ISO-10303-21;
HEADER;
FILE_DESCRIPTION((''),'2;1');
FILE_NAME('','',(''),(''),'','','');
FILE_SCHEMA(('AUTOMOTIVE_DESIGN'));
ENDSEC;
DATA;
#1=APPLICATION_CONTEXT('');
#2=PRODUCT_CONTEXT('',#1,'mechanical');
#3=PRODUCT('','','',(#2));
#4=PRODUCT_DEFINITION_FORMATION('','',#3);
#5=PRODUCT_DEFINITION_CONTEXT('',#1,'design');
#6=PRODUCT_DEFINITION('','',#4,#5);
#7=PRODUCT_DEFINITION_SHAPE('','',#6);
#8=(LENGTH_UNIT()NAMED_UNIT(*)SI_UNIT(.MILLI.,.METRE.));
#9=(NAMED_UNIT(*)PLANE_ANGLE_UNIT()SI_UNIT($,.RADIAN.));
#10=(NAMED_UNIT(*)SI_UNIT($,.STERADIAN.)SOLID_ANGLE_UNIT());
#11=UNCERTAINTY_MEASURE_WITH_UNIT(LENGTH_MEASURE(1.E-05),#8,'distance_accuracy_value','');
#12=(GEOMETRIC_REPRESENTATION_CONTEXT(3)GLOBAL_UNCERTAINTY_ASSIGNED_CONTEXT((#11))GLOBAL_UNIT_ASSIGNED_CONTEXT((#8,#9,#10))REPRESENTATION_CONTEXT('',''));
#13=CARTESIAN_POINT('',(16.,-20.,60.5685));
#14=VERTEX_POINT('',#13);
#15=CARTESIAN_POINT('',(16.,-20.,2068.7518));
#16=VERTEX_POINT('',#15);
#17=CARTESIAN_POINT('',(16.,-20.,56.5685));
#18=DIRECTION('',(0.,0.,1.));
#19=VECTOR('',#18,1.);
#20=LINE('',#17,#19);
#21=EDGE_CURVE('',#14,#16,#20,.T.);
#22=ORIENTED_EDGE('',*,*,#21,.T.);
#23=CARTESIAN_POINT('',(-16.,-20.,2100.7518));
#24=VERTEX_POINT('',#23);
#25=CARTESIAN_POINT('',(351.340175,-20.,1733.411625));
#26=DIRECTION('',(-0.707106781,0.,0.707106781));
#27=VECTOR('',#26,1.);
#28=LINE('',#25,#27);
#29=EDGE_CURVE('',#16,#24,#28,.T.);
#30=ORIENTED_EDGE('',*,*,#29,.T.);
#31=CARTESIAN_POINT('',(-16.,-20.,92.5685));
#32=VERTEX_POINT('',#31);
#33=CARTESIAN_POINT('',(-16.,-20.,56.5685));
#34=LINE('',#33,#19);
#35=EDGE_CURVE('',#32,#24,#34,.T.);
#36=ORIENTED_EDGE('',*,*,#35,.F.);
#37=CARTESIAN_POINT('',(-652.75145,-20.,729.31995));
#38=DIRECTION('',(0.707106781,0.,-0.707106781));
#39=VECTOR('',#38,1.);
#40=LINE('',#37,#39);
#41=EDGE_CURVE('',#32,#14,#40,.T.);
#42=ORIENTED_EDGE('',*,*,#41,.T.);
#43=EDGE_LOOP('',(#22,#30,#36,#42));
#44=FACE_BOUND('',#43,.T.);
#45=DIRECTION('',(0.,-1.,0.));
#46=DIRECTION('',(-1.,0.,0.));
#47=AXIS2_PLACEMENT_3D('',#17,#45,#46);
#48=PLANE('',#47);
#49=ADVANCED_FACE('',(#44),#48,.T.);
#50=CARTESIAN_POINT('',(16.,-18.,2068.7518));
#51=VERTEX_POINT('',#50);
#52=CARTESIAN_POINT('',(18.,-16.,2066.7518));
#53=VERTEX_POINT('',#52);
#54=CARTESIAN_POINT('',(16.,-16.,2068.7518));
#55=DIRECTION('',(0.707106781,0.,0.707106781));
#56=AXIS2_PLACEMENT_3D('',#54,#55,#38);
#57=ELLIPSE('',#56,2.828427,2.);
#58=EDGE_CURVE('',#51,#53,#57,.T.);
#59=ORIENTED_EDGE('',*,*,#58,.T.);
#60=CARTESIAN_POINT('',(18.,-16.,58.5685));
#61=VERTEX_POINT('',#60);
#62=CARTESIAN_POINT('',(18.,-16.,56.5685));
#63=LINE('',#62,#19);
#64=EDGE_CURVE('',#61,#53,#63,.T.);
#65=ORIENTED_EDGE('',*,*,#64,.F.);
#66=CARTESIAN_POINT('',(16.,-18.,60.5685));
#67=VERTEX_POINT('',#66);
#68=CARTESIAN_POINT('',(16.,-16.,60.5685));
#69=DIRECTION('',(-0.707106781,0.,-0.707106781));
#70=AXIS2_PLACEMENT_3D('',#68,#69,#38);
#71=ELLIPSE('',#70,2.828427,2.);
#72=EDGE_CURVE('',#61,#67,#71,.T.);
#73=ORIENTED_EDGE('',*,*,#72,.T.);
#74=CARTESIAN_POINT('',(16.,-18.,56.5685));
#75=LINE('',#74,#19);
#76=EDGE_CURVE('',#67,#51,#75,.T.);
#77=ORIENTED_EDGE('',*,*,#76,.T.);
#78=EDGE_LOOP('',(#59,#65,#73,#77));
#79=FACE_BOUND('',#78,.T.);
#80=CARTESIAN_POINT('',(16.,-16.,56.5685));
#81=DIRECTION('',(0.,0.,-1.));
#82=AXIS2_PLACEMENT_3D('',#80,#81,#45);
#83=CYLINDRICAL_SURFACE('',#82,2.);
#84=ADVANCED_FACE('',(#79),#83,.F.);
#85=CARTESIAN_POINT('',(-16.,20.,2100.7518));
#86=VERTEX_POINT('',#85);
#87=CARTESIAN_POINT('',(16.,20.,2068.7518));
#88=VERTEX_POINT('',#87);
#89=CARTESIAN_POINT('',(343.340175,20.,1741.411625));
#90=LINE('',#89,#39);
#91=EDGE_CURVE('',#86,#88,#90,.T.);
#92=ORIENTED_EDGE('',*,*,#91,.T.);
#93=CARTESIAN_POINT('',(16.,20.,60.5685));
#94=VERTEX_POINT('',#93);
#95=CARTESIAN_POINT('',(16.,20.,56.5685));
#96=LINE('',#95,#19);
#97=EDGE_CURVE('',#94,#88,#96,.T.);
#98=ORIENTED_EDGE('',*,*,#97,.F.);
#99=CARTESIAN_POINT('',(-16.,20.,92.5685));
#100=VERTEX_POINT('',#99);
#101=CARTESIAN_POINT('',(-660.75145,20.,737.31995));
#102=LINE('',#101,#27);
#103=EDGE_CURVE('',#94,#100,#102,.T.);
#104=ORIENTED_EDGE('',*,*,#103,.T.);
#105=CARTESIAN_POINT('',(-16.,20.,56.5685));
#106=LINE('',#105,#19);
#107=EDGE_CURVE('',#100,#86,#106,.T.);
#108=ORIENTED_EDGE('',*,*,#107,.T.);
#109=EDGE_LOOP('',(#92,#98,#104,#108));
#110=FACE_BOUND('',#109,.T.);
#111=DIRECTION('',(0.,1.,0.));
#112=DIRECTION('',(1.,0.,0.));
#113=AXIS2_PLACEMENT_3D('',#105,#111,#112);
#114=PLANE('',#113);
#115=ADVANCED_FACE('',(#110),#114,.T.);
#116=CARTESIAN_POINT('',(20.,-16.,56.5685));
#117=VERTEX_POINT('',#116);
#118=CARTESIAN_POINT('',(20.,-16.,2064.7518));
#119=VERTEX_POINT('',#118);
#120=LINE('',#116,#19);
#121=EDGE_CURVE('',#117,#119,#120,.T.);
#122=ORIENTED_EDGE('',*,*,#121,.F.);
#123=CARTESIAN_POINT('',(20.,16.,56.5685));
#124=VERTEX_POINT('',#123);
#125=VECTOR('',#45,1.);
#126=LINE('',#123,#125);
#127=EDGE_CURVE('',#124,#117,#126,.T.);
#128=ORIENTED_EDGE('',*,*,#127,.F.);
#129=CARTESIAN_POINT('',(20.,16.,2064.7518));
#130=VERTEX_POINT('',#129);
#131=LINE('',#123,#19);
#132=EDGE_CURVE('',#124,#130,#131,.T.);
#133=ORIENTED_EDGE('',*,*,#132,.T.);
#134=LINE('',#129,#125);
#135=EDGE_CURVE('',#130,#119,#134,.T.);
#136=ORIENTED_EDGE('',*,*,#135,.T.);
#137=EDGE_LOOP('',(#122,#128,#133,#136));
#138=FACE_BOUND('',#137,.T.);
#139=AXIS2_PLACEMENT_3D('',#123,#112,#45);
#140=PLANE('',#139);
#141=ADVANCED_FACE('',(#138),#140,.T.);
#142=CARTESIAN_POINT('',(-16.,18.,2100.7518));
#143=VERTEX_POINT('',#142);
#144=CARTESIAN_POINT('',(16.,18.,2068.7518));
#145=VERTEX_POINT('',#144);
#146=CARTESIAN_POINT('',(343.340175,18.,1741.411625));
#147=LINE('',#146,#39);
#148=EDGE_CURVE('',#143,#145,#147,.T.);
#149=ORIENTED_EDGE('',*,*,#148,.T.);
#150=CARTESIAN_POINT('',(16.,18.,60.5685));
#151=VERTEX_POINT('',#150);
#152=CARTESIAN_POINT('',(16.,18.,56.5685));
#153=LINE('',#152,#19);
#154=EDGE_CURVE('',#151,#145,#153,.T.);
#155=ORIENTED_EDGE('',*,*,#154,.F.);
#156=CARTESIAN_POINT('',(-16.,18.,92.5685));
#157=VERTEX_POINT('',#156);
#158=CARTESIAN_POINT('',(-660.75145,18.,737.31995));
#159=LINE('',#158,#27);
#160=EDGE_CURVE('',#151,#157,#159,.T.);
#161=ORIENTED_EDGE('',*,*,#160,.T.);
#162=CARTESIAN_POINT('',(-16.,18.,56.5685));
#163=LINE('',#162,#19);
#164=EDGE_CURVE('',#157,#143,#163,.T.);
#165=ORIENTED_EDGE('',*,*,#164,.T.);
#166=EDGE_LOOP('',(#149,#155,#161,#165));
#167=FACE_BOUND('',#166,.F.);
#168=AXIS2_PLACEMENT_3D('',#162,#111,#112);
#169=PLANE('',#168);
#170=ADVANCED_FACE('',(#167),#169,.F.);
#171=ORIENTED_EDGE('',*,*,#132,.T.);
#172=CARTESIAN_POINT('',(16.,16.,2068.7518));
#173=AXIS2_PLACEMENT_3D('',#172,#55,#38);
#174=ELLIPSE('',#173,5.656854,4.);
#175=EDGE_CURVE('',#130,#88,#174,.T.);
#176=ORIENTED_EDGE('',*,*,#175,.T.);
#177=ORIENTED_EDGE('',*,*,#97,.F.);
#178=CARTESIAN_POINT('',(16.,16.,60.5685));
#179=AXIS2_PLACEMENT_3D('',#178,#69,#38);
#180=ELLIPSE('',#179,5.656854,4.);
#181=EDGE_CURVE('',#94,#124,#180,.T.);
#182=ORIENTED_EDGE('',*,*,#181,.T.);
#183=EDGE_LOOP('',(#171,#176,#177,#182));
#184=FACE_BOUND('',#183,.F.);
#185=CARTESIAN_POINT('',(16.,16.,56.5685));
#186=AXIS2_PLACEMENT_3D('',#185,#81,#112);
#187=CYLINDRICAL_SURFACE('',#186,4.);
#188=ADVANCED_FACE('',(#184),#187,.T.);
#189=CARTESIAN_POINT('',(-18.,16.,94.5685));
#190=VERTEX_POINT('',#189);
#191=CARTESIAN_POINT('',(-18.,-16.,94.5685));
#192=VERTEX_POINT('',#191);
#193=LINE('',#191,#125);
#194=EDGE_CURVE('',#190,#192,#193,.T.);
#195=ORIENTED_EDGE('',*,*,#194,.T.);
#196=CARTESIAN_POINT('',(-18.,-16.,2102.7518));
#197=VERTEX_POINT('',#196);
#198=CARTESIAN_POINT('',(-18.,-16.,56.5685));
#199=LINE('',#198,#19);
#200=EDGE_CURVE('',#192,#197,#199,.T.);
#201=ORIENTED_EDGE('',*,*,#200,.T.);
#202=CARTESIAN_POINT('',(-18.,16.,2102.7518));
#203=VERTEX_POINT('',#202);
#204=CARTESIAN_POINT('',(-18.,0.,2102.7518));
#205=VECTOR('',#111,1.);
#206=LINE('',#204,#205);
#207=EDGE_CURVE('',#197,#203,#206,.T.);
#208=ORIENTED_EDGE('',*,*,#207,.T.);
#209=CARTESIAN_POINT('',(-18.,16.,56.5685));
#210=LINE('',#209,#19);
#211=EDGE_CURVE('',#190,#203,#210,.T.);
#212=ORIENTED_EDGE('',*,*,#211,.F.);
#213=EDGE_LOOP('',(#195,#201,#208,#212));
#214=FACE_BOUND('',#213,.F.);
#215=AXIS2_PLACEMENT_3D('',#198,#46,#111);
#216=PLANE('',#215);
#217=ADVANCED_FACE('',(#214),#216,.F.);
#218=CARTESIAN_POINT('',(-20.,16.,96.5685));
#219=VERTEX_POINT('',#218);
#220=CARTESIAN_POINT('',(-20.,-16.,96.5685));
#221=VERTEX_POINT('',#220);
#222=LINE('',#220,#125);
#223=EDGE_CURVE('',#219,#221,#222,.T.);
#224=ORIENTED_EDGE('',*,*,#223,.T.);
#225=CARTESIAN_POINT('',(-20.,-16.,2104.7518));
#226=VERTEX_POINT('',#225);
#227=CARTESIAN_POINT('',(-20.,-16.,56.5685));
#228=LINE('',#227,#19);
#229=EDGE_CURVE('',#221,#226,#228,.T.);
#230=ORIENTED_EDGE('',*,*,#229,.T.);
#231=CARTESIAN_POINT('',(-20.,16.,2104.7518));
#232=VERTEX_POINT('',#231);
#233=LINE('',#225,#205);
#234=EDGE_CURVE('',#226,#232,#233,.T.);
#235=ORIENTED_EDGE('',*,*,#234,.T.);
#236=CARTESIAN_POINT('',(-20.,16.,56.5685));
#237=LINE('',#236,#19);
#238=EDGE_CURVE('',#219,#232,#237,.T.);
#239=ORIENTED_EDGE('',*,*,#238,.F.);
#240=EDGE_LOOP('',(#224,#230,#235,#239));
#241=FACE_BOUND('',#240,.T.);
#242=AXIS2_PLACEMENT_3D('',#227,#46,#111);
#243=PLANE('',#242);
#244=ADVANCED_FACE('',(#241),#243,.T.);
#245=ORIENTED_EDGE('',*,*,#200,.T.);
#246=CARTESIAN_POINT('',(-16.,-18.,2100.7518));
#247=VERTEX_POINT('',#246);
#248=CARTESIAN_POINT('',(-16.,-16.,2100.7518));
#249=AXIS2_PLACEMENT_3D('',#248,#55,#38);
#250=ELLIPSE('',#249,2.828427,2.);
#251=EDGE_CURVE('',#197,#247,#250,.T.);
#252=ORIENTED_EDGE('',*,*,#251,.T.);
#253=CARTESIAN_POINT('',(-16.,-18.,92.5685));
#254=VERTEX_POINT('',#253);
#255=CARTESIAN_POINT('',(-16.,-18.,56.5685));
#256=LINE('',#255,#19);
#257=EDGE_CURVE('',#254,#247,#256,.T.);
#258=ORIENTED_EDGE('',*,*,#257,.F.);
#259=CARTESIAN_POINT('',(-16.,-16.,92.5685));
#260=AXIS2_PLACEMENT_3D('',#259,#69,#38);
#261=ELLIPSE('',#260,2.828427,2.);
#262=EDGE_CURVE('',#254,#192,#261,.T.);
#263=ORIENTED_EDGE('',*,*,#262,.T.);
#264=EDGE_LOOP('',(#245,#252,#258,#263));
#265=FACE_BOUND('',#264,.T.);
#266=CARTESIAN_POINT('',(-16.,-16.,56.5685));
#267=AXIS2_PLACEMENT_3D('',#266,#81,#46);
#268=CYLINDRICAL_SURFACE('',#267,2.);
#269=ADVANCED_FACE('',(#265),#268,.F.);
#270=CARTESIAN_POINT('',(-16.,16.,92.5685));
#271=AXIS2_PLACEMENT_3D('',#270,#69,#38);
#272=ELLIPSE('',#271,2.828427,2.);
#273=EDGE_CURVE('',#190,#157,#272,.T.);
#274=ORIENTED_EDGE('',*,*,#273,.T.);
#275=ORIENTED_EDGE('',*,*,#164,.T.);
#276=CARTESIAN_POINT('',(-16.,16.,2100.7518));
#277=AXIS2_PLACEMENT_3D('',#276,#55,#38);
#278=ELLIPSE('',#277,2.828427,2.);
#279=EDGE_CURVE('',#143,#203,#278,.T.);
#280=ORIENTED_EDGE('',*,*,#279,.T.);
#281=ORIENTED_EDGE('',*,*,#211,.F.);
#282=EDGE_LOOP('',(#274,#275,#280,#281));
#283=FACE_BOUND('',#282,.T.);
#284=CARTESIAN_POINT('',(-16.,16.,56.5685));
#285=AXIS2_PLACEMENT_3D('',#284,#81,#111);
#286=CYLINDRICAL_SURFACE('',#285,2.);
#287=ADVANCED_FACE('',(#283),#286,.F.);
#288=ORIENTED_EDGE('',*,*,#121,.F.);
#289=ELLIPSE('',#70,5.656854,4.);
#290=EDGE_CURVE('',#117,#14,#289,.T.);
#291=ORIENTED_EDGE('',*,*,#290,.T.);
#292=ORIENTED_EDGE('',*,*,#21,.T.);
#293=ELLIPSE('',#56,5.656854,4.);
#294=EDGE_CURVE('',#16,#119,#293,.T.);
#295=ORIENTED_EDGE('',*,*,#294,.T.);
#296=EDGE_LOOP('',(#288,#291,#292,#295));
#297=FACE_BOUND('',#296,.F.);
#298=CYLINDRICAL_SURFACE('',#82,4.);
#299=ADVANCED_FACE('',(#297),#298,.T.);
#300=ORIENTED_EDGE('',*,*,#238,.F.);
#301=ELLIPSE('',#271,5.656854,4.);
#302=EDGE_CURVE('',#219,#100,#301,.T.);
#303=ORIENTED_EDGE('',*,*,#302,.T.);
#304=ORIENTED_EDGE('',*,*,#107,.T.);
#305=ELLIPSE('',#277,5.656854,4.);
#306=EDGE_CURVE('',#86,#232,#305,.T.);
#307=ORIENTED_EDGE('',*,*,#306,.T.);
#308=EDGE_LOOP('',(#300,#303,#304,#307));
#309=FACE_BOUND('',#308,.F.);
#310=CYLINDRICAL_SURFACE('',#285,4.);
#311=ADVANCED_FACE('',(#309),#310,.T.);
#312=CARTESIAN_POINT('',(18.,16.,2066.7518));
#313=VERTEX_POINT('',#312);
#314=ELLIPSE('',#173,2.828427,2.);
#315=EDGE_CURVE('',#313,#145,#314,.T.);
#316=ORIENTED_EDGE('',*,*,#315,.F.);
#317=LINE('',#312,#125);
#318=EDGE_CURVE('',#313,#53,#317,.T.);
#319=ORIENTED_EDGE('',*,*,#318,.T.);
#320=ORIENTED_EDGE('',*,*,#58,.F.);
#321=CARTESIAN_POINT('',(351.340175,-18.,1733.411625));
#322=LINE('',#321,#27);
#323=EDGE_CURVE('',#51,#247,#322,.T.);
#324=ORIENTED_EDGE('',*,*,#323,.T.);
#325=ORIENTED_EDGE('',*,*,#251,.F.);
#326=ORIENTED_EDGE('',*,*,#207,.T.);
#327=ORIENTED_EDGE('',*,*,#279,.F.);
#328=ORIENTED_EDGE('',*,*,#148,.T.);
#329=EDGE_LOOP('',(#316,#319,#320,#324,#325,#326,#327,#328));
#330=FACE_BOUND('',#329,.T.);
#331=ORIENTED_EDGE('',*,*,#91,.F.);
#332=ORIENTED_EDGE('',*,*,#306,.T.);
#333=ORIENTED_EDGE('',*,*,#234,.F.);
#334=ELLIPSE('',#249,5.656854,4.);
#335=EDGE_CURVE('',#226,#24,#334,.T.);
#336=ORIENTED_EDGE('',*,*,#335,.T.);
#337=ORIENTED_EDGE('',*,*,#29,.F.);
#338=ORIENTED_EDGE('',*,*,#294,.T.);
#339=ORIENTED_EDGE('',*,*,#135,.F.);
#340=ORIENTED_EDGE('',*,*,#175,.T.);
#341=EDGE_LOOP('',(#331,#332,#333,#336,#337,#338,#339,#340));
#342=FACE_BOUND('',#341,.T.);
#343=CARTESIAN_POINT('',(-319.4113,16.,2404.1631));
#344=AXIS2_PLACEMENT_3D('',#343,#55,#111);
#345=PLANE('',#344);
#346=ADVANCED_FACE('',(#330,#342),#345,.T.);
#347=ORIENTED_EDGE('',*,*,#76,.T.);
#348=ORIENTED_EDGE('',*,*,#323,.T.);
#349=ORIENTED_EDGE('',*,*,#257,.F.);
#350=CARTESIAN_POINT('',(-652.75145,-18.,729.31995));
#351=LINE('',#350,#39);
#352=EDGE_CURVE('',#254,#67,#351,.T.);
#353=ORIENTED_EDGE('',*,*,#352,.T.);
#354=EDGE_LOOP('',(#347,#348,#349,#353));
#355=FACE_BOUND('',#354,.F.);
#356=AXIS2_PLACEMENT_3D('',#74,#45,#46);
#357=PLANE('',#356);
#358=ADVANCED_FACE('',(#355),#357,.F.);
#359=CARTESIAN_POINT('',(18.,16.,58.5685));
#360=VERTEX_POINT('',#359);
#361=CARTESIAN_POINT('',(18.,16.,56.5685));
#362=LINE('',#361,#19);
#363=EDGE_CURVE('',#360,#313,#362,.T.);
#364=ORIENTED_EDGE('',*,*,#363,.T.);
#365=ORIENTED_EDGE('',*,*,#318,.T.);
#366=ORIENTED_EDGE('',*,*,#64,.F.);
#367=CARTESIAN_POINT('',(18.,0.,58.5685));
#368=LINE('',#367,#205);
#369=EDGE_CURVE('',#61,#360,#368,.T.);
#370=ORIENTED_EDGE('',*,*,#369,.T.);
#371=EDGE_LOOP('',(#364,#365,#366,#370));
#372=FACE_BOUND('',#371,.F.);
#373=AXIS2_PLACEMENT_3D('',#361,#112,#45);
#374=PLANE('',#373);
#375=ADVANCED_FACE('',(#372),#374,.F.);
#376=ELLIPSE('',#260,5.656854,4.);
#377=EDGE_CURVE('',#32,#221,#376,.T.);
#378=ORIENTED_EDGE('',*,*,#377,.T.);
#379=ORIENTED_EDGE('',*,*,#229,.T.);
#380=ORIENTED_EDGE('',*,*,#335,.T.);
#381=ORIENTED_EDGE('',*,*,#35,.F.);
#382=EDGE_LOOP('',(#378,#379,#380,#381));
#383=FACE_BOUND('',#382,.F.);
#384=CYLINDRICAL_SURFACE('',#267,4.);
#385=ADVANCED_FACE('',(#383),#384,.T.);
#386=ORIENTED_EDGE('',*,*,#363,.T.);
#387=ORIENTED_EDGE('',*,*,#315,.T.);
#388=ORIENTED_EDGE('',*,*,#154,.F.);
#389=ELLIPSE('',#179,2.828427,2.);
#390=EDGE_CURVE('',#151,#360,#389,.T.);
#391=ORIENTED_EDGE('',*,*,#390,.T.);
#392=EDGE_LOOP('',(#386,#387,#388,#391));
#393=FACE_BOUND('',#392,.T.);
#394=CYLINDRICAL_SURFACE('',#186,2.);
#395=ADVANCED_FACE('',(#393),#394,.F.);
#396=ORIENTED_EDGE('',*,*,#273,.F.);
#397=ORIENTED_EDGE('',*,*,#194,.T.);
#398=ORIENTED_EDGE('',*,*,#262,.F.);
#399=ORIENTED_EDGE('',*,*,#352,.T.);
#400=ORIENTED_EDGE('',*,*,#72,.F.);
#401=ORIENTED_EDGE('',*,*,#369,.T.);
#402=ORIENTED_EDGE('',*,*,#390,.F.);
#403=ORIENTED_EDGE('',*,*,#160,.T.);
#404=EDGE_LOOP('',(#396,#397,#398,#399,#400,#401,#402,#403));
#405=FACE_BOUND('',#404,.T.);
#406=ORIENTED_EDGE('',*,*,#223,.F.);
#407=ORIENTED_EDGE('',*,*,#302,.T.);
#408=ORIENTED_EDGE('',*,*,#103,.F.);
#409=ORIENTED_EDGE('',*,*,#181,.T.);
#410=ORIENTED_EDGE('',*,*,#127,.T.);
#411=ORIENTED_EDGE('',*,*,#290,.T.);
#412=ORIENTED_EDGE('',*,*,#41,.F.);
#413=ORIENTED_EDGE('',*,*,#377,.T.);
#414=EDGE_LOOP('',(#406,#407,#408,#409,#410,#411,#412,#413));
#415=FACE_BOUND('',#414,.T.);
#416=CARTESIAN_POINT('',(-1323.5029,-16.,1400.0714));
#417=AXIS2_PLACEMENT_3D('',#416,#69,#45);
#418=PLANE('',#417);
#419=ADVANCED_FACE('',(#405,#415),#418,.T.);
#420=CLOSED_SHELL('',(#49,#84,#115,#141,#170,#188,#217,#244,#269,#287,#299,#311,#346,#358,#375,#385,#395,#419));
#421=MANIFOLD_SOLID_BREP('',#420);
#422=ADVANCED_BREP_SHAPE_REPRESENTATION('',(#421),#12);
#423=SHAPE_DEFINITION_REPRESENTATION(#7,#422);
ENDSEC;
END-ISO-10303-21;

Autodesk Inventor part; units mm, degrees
ref_plane "Start Plane" through (0, 0, 56.5685) normal (0, 0, 1) x (1, 0, 0)
ref_plane "End Plane" through (0, 0, 2104.7518) normal (0, 0, 1) x (1, 0, 0)
sketch "Sketch" plane through (0, 0, 0) normal (0, 0, 1) x (1, 0, 0)
  line L0 (-20, -16) -> (-20, 16)
  line L1 (-16, 20) -> (16, 20)
  line L2 (20, 16) -> (20, -16)
  line L3 (16, -20) -> (-16, -20)
  arc A0 (-20, -16) -> (-16, -20) centre (-16, -16) ccw
  arc A1 (20, 16) -> (16, 20) centre (16, 16) ccw
  arc A2 (-16, 20) -> (-20, 16) centre (-16, 16) ccw
  arc A3 (16, -20) -> (20, -16) centre (16, -16) ccw
  arc A4 (-16, 18) -> (-18, 16) centre (-16, 16) ccw
  line L4 (-16, 18) -> (16, 18)
  arc A5 (18, 16) -> (16, 18) centre (16, 16) ccw
  line L5 (18, 16) -> (18, -16)
  arc A6 (16, -18) -> (18, -16) centre (16, -16) ccw
  line L6 (16, -18) -> (-16, -18)
  arc A7 (-18, -16) -> (-16, -18) centre (-16, -16) ccw
  line L7 (-18, -16) -> (-18, 16)
  line L8 (0, 29.1598) -> (0, -29.1598) construction
  line L9 (-29.1598, 0) -> (29.1598, 0) construction
  dimension "d7" = 4
  dimension "d9" = 40
  dimension "d11" = 40
  dimension "d12" = 2
  dimension "d15" = 20
  dimension "d16" = 20
extrude "Body" add sketch "Sketch" along normal up to surface (2048.1833 mm away) from surface at 56.5685
sketch "Sketch3" plane through (0, 0, 0) normal (0, 0, 1) x (1, 0, 0)
  line L0 (0, 0) -> (10, 0)
ref_plane "Work Plane3" through (0, 0, 0) normal (0, -1, 0) x (1, 0, 0)
ref_plane "Work Plane4" through (-1323.5029, -16, 1400.0714) normal (-0.7071, 0, -0.7071) x (-0.7071, 0, 0.7071)
split "Split1" plane through (-1323.5029, -16, 1400.0714) removes the side toward (-0.7071, 0, -0.7071)
ref_plane "Work Plane5" through (-319.4113, 16, 2404.1631) normal (0.7071, 0, 0.7071) x (0.7071, 0, -0.7071)
split "Split2" plane through (-319.4113, 16, 2404.1631) removes the side toward (0.7071, 0, 0.7071)
sketch "Sketch4" plane through (0, 0, 0) normal (0, -1, 0) x (1, 0, 0)
  line L0 (-2, 56.5685) -> (12, 56.5685) projected
  line L1 (-2, 2104.7518) -> (12, 2104.7518) projected
  dimension "d18" = 2048.1833
equation "\"d7\" = G_IR"
equation "\"d9\" = G_W"
equation "\"d11\" = G_H"
equation "\"d12\" = G_T"
equation "\"d15\" = 0.5 * d9"
equation "\"d16\" = 0.5 * d11"
equation "\"d3\" = G_L"
equation "\"G_W\" = 40"
equation "\"G_H\" = 40"
equation "\"G_T\" = 2"
equation "\"G_IR\" = 4"
equation "\"G_L\" = d18"
equation "\"G_OFFSET_START\" = -56.56854"
equation "\"G_OFFSET_END\" = -16.56854"
equation "\"d13\" = -G_OFFSET_START"
equation "\"d14\" = G_OFFSET_END + B_L"
equation "\"B_L\" = 2121.32034"
properties part number "ISO 10799-2 - 40x40x2 - 2048,18" material "Steel, Mild"
